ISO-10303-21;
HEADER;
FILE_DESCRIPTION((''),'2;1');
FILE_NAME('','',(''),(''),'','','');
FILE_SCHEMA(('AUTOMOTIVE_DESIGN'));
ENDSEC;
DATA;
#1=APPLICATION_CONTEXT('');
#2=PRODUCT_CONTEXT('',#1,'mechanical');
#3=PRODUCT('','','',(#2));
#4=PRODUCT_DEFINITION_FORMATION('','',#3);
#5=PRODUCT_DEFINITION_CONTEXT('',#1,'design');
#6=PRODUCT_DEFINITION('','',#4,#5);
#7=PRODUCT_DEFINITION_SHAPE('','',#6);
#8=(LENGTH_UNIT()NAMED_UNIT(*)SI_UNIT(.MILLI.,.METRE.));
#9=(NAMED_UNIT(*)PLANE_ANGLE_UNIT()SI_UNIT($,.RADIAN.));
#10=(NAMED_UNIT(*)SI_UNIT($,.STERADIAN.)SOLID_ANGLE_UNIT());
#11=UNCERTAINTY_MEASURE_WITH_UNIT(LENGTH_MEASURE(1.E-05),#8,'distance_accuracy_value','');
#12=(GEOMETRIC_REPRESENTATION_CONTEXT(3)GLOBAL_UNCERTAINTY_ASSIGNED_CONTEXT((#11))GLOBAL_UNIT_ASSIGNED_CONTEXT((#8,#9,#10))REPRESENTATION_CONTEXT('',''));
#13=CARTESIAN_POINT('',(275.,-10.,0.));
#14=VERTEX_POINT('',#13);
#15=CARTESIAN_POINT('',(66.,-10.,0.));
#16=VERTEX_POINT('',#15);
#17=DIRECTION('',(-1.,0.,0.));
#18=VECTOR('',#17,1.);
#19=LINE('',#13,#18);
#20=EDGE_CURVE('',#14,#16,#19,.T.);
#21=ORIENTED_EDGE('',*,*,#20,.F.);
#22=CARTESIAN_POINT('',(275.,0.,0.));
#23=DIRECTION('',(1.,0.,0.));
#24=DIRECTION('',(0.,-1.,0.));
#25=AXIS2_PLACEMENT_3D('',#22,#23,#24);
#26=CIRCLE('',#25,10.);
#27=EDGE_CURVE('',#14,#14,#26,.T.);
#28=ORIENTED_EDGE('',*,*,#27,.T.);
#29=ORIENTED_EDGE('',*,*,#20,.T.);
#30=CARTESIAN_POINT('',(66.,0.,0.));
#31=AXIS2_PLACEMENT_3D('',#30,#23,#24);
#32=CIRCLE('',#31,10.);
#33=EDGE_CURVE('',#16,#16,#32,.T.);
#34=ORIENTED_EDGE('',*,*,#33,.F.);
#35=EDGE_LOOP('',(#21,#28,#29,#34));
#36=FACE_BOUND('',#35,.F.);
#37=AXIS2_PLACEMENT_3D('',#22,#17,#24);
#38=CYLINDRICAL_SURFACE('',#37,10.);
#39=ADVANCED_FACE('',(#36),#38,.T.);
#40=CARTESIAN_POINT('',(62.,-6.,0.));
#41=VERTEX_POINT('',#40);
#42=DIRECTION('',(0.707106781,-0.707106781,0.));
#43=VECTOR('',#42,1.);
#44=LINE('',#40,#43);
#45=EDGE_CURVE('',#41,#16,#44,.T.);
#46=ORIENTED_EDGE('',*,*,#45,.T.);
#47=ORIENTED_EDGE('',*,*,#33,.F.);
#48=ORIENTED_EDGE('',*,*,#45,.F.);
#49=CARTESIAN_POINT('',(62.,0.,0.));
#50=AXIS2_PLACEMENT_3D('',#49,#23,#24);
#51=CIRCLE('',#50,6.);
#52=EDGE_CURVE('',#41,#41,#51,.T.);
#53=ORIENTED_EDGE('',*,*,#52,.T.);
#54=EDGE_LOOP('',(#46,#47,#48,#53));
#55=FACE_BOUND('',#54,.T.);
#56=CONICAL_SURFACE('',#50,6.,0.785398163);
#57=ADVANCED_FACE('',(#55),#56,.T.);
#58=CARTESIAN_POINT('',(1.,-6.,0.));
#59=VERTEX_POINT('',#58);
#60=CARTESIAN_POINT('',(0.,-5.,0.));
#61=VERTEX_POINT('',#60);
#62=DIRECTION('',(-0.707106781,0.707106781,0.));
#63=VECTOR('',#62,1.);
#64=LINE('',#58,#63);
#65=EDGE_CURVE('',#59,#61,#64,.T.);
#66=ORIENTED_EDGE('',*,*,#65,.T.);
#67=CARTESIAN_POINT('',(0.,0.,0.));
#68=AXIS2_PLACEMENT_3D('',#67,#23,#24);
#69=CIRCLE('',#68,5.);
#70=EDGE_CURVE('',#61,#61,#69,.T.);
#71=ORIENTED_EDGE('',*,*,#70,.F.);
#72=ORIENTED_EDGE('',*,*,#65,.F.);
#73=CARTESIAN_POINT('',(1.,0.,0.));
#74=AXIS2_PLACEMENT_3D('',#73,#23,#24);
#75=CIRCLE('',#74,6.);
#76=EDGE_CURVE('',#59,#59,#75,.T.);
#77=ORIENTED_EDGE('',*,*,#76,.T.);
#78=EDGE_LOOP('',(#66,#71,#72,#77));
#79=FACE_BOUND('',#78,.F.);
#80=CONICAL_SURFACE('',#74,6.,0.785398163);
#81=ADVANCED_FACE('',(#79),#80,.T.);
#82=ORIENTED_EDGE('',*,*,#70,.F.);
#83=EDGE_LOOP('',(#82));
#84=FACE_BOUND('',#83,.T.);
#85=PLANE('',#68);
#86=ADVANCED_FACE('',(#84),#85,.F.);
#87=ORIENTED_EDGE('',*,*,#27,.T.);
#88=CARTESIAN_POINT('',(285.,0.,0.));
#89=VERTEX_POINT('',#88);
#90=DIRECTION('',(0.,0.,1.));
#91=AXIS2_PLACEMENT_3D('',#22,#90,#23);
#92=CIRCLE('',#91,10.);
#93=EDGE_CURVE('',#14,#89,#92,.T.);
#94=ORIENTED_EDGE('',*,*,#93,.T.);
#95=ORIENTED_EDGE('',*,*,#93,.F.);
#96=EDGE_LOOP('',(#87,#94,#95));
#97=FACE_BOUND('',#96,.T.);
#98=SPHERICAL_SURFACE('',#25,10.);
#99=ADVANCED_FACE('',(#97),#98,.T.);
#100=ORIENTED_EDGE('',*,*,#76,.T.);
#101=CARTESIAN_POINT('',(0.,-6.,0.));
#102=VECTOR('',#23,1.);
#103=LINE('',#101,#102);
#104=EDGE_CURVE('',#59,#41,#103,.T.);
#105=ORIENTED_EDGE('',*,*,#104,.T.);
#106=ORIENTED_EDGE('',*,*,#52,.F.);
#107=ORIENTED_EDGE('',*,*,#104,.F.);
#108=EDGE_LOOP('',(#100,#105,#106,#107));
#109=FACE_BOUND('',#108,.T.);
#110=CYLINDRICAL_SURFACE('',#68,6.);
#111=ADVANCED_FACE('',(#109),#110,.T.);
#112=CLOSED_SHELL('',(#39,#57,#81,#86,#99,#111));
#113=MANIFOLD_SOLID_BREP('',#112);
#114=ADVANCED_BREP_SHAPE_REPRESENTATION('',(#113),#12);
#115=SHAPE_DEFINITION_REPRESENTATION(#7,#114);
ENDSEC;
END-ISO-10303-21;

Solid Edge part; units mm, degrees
sketch "Sketch1" plane through (0, 0, 0) normal (0, 0, 1) x (1, 0, 0)
  line L0 (275, -10) -> (66, -10)
  line L1 (62, -6) -> (66, -10)
  line L2 (0, -6) -> (62, -6)
  line L3 (0, 0) -> (0, -6)
  line L4 (0, 0) -> (275, 0)
  line L5 (275, 0) -> (285, 0)
  arc A0 (275, -10) -> (285, 0) centre (275, 0) ccw
revolve "RevolvedProtrusion1" add sketch "Sketch1" angle 360 about axis through (0, 0, 0) along (1, 0, 0)
chamfer "Chamfer1" distance 1 angle 45 1 edges at (0, 0, 6)
